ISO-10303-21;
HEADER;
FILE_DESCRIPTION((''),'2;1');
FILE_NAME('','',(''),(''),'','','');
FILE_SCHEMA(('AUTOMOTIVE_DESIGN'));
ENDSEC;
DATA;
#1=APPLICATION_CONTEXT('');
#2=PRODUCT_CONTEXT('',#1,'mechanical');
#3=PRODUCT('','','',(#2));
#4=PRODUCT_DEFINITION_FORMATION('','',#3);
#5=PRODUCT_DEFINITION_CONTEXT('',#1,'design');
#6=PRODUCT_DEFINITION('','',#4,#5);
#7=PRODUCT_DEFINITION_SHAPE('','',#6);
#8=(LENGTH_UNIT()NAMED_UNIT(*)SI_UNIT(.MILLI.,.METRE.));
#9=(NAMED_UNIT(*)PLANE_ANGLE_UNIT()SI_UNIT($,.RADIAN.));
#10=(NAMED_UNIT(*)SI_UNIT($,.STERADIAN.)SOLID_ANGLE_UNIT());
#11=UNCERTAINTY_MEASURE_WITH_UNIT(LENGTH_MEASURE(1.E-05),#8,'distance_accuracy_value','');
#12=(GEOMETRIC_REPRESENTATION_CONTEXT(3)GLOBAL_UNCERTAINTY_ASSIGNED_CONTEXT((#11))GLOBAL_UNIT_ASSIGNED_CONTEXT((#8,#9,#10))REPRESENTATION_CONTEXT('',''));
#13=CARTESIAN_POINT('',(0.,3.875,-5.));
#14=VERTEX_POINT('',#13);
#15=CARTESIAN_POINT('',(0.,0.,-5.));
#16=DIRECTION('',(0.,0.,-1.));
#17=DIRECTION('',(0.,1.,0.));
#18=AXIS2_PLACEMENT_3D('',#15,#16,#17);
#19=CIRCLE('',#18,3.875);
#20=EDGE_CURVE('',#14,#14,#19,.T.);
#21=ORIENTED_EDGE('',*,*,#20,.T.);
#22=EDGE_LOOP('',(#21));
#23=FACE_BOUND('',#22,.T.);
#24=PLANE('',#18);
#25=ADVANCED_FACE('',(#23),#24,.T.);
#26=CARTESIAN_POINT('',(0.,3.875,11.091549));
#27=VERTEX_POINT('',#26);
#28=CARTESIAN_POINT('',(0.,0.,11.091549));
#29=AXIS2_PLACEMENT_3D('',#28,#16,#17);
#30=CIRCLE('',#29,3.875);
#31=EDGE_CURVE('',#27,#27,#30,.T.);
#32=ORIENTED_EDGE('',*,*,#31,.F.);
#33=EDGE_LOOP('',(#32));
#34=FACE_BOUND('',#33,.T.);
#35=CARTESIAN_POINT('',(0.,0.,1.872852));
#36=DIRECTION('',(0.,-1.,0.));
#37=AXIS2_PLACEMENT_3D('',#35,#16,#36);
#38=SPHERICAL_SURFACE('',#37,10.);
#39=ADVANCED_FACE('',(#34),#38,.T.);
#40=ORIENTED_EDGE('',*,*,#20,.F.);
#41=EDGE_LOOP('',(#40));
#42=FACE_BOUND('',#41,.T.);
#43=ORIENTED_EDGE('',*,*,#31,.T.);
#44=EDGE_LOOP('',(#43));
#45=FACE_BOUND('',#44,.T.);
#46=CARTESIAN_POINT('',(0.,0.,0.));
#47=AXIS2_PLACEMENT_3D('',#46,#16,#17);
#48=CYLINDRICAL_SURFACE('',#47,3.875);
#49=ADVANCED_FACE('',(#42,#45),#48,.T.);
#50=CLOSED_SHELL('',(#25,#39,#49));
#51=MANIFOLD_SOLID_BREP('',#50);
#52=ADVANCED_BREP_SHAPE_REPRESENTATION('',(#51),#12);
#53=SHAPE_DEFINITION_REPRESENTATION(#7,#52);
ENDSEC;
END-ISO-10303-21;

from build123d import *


with BuildPart() as part:
    # Sketch3 → Revolve1 (revolve)
    with BuildSketch(Plane(origin=(0, 0, 0), x_dir=(0, 0, -1), z_dir=(1, 0, 0)), mode=Mode.PRIVATE) as revolve1_sk:
        with BuildLine():
            Line((-1.872852234, 0), (0, 0))
            Line((0, 0), (5, 0))
            Line((5, 0), (5, 3.875))
            Line((5, 3.875), (-11.091549267, 3.875))
            ThreePointArc((-11.091549267, 3.875), (-11.675580689, 1.976490534), (-11.872852234, 0))
            Line((-11.872852234, 0), (-1.872852234, 0))
        make_face()
    revolve(revolve1_sk.sketch.rotate(Axis((0, 0, 0), (0, 0, 1)), 180), axis=Axis((0, 0, 0), (0, 0, 1)))


solid = part.part
